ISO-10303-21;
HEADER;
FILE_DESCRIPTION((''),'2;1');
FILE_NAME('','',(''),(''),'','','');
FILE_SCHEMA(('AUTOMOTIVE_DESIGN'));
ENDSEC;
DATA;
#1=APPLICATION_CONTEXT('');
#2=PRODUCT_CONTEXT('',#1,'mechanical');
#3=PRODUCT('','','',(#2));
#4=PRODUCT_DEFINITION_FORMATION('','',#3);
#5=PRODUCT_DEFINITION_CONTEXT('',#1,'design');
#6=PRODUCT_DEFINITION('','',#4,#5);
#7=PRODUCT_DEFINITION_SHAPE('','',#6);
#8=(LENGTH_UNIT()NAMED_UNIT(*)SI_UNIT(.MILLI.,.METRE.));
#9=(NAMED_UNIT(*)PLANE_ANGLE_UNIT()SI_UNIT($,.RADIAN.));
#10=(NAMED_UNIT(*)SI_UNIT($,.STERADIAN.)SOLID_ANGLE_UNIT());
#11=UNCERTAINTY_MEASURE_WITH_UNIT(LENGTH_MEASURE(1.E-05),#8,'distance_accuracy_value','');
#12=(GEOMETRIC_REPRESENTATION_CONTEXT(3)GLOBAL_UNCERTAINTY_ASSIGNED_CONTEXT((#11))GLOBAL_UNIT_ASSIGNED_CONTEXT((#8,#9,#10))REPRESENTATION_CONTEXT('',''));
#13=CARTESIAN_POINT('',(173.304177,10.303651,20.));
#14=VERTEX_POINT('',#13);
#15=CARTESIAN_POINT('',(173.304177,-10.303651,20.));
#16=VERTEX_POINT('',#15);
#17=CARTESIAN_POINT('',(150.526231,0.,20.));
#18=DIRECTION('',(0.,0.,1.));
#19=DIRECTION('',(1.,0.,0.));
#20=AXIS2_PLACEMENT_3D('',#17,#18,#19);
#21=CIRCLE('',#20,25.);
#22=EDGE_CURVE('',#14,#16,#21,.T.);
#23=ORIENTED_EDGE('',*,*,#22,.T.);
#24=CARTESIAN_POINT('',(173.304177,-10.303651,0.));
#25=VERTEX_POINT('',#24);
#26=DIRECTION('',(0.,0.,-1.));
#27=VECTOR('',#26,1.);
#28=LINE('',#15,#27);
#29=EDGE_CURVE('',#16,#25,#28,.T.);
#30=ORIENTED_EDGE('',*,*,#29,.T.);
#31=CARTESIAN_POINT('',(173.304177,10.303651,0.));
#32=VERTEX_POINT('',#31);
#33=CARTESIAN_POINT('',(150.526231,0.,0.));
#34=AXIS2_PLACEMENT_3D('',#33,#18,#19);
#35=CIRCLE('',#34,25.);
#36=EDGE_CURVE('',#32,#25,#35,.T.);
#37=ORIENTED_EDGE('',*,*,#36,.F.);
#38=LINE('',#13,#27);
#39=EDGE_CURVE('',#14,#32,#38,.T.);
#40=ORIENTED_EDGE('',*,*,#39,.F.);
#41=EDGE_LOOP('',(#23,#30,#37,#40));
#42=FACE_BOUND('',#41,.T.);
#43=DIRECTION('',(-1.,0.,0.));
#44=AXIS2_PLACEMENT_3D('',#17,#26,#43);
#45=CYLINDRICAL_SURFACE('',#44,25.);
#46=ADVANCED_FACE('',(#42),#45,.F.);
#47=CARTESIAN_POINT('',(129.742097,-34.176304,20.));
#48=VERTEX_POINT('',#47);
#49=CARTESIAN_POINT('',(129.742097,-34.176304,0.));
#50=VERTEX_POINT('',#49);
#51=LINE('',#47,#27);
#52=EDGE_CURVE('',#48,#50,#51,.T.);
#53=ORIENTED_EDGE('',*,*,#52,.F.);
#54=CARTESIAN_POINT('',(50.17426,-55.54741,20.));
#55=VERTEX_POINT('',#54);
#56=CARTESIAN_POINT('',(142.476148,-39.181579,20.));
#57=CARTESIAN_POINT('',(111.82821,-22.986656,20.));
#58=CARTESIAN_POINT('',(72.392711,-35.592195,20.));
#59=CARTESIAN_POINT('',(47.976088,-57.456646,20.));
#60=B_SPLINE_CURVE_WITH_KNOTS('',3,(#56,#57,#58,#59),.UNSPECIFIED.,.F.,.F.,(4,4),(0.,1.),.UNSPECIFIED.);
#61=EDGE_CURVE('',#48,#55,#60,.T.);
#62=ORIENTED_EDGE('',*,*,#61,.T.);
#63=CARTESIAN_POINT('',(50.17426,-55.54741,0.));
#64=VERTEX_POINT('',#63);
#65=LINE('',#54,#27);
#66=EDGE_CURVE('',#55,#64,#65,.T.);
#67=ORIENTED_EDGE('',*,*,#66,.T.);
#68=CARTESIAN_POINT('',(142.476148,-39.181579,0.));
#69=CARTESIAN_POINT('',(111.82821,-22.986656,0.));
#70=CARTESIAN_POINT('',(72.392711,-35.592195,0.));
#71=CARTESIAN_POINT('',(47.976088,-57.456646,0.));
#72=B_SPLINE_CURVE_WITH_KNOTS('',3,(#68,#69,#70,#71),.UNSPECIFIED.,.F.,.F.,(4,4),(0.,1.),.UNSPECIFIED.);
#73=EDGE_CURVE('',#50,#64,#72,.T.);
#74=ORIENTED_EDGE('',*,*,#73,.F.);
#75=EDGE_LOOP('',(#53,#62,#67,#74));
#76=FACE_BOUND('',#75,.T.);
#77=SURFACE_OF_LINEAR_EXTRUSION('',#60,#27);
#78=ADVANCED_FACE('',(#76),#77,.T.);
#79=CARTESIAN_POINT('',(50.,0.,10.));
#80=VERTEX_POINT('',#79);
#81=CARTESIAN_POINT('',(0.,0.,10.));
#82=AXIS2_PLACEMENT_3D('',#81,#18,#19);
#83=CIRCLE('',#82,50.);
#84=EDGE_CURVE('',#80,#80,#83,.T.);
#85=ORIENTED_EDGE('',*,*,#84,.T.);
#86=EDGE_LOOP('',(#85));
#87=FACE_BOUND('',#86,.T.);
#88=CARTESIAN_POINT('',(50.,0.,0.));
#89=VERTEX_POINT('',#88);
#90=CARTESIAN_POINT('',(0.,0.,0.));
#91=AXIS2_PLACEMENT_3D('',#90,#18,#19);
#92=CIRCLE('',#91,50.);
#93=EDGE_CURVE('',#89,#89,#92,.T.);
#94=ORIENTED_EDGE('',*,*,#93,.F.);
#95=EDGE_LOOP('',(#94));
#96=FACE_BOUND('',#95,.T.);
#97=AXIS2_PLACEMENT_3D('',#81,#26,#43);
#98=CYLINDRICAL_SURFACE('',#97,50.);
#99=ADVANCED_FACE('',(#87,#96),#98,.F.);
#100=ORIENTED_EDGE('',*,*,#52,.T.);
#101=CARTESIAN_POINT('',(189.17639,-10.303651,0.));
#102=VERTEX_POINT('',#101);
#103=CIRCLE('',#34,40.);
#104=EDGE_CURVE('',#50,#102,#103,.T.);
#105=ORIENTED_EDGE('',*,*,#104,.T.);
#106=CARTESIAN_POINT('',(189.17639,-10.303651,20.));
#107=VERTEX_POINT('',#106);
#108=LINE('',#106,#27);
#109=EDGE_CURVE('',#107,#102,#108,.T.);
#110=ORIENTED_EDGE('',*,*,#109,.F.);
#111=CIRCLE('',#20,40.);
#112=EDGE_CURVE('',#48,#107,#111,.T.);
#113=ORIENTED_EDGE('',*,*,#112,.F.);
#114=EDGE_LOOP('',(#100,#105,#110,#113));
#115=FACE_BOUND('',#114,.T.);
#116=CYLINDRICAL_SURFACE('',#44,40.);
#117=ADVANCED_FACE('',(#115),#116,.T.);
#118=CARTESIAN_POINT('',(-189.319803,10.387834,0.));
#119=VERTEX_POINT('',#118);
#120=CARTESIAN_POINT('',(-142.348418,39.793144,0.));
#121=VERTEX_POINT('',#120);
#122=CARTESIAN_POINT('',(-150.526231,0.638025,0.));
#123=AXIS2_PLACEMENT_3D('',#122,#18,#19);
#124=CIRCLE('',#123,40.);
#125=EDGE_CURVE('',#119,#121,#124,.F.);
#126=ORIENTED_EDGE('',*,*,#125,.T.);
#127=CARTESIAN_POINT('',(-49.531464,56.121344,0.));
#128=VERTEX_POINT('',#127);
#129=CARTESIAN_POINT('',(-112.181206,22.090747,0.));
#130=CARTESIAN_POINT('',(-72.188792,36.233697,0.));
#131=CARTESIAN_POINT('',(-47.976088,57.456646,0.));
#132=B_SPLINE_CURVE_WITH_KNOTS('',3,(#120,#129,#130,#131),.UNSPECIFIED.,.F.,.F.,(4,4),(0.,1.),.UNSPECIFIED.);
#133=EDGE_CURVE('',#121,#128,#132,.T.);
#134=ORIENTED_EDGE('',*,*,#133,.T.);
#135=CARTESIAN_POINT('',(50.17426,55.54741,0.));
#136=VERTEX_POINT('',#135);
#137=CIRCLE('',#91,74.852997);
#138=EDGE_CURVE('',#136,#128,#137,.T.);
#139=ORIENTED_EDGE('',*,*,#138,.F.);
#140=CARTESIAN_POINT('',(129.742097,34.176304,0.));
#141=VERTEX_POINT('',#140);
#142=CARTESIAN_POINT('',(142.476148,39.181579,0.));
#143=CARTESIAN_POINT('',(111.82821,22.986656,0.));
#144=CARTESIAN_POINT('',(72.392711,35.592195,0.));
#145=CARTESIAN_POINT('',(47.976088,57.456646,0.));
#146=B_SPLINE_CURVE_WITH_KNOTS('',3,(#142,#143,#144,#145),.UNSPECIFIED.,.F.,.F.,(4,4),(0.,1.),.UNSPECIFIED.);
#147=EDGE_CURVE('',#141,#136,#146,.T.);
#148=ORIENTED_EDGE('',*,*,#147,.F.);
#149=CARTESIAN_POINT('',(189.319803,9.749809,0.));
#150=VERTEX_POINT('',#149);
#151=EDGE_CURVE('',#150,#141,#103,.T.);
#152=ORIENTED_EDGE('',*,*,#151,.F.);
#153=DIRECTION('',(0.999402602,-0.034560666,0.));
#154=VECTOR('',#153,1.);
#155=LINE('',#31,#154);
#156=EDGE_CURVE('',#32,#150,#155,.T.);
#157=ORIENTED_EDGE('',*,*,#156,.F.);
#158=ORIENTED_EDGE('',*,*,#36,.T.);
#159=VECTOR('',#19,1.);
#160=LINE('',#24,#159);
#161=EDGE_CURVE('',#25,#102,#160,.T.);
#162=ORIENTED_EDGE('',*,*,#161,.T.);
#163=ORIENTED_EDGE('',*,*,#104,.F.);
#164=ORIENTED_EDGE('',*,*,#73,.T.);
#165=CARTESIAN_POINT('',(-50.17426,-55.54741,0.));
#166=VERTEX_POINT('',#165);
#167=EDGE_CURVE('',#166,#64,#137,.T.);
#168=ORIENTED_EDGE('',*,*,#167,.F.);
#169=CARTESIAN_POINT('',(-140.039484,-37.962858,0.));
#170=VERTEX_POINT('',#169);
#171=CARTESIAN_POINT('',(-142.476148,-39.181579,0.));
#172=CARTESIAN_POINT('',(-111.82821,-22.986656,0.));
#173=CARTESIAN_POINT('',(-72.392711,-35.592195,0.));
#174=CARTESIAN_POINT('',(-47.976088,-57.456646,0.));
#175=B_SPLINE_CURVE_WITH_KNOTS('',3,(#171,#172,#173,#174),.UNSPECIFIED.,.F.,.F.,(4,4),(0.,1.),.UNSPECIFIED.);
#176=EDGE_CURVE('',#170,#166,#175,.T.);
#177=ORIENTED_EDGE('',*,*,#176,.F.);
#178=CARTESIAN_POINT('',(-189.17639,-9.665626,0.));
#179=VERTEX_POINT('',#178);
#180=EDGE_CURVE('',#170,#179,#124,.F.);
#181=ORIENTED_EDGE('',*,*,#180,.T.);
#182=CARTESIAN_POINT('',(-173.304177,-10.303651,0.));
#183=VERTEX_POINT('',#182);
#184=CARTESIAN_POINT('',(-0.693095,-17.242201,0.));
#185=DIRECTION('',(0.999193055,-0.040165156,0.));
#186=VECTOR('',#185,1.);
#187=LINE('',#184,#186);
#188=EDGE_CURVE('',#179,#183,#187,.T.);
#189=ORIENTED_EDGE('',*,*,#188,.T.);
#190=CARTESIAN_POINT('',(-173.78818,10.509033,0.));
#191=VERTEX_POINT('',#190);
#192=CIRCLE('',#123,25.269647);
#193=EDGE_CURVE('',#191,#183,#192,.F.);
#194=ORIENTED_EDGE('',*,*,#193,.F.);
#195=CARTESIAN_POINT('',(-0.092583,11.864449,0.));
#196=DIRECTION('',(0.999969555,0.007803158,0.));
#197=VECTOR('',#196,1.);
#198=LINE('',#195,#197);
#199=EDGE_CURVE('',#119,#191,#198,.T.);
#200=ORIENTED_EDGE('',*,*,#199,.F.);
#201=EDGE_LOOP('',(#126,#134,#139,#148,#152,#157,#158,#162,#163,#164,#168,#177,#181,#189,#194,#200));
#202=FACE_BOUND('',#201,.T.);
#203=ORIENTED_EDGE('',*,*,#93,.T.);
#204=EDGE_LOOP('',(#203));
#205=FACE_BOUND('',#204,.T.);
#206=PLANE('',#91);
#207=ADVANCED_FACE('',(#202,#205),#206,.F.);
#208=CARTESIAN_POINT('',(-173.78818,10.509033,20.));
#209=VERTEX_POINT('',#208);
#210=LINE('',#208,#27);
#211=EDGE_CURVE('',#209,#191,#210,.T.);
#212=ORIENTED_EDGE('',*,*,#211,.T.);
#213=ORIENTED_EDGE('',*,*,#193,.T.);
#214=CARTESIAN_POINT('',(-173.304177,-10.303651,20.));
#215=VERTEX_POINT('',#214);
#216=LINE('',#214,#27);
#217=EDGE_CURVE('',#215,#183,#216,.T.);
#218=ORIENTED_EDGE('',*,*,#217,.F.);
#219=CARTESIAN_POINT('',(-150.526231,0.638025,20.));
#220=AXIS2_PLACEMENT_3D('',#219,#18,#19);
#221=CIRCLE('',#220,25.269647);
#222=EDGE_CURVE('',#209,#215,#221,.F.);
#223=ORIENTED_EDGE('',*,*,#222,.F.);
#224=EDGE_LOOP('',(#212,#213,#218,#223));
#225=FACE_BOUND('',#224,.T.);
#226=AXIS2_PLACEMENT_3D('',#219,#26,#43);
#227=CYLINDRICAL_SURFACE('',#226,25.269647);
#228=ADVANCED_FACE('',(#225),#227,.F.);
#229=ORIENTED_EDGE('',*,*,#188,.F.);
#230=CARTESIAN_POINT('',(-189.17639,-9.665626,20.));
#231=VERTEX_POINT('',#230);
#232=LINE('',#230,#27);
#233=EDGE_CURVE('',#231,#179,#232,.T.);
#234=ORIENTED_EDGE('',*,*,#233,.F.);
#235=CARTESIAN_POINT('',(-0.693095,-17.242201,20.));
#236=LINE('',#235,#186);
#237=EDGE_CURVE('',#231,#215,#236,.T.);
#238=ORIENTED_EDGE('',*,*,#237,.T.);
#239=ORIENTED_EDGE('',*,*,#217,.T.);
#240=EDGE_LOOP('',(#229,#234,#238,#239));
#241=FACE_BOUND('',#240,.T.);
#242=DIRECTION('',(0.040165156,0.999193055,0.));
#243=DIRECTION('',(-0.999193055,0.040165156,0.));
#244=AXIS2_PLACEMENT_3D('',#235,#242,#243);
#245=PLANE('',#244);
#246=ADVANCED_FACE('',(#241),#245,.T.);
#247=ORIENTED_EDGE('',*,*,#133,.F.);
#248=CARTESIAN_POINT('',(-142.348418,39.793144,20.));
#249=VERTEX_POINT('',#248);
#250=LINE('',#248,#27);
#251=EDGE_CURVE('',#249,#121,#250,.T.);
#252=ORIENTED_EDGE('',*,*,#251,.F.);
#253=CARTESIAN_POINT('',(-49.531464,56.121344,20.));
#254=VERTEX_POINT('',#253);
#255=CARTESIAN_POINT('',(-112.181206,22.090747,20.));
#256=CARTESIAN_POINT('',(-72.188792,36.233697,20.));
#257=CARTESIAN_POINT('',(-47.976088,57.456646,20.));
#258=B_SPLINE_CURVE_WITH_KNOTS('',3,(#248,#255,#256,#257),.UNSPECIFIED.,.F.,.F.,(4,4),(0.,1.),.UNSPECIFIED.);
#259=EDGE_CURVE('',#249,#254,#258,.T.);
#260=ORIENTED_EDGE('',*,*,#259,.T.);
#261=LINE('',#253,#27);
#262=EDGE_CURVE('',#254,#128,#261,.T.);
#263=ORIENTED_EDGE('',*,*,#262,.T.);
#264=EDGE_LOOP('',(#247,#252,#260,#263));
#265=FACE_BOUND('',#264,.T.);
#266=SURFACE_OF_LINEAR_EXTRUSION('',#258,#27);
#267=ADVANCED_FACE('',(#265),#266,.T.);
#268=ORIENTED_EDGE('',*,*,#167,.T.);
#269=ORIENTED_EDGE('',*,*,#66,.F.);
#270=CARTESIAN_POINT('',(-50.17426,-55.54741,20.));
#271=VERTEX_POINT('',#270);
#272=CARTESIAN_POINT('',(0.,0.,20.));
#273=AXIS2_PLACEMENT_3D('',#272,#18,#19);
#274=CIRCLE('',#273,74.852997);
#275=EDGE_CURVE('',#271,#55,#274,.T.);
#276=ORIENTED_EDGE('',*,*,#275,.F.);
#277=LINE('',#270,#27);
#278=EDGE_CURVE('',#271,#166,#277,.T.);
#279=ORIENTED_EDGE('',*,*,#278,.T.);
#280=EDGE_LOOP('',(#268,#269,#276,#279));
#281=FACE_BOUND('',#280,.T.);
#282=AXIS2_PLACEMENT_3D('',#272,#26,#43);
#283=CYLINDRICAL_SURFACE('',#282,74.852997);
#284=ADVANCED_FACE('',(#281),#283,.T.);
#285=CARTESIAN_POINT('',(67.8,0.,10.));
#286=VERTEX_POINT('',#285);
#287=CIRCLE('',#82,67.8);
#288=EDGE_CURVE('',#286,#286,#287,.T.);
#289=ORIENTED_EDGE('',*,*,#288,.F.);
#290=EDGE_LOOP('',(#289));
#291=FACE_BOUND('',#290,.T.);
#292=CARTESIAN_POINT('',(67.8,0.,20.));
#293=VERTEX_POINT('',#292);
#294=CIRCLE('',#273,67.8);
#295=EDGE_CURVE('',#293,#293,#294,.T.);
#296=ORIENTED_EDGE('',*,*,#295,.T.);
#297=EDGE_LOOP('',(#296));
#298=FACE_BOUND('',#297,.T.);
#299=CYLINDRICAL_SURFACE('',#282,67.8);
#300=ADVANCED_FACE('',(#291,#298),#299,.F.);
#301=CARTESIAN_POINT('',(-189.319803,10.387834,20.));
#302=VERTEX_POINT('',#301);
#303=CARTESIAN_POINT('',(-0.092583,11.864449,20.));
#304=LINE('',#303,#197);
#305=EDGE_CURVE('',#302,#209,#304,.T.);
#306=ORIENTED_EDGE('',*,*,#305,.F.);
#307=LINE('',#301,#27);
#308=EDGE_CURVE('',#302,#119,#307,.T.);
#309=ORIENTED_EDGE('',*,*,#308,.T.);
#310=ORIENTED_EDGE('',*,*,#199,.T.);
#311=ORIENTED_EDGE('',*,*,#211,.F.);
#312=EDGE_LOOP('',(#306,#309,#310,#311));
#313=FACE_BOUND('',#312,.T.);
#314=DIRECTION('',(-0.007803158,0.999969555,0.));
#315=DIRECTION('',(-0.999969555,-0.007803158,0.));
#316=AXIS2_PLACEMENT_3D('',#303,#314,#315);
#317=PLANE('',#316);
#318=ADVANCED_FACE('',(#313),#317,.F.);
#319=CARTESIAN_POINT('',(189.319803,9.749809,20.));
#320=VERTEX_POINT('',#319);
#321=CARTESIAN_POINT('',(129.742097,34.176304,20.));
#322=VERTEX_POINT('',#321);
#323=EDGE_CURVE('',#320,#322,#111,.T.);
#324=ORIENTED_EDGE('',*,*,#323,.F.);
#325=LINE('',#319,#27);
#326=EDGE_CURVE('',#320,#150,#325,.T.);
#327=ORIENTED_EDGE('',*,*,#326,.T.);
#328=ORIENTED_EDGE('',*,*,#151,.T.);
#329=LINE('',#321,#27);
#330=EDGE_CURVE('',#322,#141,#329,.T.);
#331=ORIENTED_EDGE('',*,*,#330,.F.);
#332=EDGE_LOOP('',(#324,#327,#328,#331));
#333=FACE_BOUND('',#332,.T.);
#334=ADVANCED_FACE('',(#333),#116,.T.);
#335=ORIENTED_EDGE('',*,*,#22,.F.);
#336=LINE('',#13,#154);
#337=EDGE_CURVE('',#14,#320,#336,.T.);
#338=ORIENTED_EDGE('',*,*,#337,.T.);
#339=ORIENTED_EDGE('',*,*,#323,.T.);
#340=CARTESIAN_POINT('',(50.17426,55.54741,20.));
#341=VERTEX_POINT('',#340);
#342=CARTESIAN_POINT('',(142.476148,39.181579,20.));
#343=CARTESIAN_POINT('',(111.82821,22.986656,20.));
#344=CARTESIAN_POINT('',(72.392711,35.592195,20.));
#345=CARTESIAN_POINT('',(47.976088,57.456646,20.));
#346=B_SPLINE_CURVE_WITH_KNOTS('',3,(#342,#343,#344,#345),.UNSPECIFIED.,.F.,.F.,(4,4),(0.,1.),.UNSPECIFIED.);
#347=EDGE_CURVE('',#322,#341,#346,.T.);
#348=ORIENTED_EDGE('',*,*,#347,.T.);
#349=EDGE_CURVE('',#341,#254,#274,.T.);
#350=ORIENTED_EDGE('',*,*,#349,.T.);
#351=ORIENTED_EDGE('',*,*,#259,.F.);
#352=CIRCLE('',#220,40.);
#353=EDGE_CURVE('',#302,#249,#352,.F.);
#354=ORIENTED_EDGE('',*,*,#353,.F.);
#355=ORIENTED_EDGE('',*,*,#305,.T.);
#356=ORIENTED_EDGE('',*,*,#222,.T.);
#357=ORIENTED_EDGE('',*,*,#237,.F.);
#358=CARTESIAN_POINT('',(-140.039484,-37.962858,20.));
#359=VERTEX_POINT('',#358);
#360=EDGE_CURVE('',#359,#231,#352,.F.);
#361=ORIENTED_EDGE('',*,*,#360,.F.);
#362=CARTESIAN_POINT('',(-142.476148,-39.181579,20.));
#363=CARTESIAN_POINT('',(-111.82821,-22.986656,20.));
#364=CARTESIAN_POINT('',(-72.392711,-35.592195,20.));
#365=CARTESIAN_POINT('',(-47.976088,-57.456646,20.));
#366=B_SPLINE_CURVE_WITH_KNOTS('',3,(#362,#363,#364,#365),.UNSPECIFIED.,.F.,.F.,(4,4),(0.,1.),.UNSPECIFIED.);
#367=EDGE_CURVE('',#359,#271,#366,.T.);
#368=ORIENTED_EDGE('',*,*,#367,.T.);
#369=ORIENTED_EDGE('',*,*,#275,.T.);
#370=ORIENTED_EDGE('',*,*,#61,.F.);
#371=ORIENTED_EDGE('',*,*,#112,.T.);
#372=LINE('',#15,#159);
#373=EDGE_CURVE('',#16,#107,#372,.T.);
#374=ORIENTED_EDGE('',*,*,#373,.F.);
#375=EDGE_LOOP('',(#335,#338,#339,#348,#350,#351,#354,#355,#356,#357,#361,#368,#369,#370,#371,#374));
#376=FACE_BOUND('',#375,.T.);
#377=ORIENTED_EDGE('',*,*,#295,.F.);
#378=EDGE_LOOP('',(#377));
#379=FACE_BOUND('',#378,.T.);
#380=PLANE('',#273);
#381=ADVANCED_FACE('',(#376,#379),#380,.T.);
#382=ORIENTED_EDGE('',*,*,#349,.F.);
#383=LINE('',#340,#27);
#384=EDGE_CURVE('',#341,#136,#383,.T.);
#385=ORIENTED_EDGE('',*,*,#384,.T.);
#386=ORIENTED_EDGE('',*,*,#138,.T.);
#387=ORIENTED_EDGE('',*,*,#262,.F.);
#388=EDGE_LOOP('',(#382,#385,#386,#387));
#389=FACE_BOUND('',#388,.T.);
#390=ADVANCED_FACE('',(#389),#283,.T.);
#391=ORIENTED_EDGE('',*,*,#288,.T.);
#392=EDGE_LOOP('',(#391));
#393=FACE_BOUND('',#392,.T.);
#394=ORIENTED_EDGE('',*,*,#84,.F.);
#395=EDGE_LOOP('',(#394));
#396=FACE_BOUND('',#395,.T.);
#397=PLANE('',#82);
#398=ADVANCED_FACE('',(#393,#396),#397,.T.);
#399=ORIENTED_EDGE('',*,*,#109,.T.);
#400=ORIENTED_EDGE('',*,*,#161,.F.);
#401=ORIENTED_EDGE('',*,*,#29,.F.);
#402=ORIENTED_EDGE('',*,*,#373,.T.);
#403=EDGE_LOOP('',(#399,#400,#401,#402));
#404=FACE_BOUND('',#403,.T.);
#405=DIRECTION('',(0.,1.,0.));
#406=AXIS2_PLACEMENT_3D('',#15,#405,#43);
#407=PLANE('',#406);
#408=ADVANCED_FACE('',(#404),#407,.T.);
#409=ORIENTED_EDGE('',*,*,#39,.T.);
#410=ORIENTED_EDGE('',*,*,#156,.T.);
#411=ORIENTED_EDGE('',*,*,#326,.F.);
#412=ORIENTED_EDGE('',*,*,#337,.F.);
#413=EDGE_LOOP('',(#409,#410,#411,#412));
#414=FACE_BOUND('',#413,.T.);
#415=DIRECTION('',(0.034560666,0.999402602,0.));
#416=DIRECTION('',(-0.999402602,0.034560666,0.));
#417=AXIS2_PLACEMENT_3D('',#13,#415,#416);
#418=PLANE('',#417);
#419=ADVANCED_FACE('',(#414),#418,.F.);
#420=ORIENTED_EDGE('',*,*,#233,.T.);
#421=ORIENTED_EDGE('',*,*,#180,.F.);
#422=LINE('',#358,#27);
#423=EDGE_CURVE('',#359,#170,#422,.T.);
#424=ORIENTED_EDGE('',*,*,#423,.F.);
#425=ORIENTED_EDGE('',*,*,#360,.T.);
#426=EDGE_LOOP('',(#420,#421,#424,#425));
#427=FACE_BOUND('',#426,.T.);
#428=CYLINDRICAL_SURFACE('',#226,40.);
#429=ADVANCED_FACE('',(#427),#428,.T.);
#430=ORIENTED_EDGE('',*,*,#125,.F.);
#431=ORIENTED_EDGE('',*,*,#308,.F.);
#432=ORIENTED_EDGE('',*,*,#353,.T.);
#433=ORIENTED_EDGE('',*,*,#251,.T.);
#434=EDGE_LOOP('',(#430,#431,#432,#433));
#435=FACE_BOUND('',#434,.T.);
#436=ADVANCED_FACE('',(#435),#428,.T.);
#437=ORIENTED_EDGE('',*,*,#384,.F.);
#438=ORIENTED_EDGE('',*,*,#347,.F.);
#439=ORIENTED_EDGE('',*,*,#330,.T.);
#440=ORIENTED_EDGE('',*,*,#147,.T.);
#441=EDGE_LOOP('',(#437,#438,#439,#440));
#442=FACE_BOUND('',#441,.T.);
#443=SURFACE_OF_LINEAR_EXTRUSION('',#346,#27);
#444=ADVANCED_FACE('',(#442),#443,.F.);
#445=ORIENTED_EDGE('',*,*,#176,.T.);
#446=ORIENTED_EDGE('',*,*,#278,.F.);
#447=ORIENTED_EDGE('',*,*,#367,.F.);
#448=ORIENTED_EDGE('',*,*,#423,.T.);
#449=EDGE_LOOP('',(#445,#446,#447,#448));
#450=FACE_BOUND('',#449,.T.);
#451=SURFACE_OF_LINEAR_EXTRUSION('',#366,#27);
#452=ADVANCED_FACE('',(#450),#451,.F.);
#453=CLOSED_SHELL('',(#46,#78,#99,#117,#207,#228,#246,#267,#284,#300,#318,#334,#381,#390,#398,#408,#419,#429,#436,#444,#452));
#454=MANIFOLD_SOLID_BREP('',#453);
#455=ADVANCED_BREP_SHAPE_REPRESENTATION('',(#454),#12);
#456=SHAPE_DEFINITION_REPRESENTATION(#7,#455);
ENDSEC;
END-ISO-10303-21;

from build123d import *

# Parameters (mm, degrees)
SKETCH1_R            = 67.8
BOSS_EXTRUDE11_DEPTH = 20
SKETCH1_14_R         = 67.8
SKETCH1_14_R_2       = 50
BOSS_EXTRUDE12_DEPTH = 10


with BuildPart() as part:
    # Sketch1 → Boss-Extrude11 (new body)
    with BuildSketch(Plane.XY):
        with BuildLine():
            ThreePointArc((-142.34841847, 39.793144177), (-171.751198945, 34.54231297), (-189.319803444, 10.387833799))
            Line((-189.319803444, 10.387833799), (-173.788179779, 10.509033195))
            ThreePointArc((-173.788179779, 10.509033195), (-125.263414989, 1.225516677), (-173.304176626, -10.303650604))
            Line((-173.304176626, -10.303650604), (-189.176390414, -9.665625813))
            ThreePointArc((-189.176390414, -9.665625813), (-170.488139493, -34.024955882), (-140.039484135, -37.962857708))
            add(Edge.make_bspline(
                [(-140.039484135, -37.962857708), (-110.680407711, -24.08950974), (-74.045313114, -35.434332747), (-50.174260477, -55.547410213)],
                knots=[0.026307931, 0.026307931, 0.026307931, 0.026307931, 0.97051711, 0.97051711, 0.97051711, 0.97051711], degree=3))
            ThreePointArc((-50.174260477, -55.547410213), (0, -74.85299724), (50.174260477, -55.547410213))
            add(Edge.make_bspline(
                [(129.742096758, -34.176303824), (102.491508086, -26.790776239), (71.323341509, -37.727789453), (50.174260477, -55.547410213)],
                knots=[0.133974342, 0.133974342, 0.133974342, 0.133974342, 0.97051711, 0.97051711, 0.97051711, 0.97051711], degree=3))
            ThreePointArc((129.742096758, -34.176303824), (165.435107978, -37.117723558), (189.176390414, -10.303650604))
            Line((189.176390414, -10.303650604), (173.304176626, -10.303650604))
            ThreePointArc((173.304176626, -10.303650604), (125.526231498, 0), (173.304176626, 10.303650604))
            Line((173.304176626, 10.303650604), (189.319803444, 9.749809007))
            ThreePointArc((189.319803444, 9.749809007), (165.700168673, 37.010155777), (129.742096758, 34.176303824))
            add(Edge.make_bspline(
                [(129.742096758, 34.176303824), (102.491508086, 26.790776239), (71.323341509, 37.727789453), (50.174260477, 55.547410213)],
                knots=[0.133974342, 0.133974342, 0.133974342, 0.133974342, 0.97051711, 0.97051711, 0.97051711, 0.97051711], degree=3))
            ThreePointArc((50.174260477, 55.547410213), (0.430867535, 74.851757154), (-49.531464066, 56.121344098))
            add(Edge.make_bspline(
                [(-49.531464066, 56.121344098), (-73.874099433, 35.650364126), (-112.8184932, 22.464713449), (-142.34841847, 39.793144177)],
                knots=[0.14825783, 0.14825783, 0.14825783, 0.14825783, 1.127132671, 1.127132671, 1.127132671, 1.127132671], degree=3))
        make_face()
        Circle(SKETCH1_R, mode=Mode.SUBTRACT)
    extrude(amount=BOSS_EXTRUDE11_DEPTH)

    # Sketch1<14> → Boss-Extrude12 (add)
    with BuildSketch(Plane.XY):
        Circle(SKETCH1_14_R)
        Circle(SKETCH1_14_R_2, mode=Mode.SUBTRACT)
    extrude(amount=BOSS_EXTRUDE12_DEPTH)


solid = part.part
